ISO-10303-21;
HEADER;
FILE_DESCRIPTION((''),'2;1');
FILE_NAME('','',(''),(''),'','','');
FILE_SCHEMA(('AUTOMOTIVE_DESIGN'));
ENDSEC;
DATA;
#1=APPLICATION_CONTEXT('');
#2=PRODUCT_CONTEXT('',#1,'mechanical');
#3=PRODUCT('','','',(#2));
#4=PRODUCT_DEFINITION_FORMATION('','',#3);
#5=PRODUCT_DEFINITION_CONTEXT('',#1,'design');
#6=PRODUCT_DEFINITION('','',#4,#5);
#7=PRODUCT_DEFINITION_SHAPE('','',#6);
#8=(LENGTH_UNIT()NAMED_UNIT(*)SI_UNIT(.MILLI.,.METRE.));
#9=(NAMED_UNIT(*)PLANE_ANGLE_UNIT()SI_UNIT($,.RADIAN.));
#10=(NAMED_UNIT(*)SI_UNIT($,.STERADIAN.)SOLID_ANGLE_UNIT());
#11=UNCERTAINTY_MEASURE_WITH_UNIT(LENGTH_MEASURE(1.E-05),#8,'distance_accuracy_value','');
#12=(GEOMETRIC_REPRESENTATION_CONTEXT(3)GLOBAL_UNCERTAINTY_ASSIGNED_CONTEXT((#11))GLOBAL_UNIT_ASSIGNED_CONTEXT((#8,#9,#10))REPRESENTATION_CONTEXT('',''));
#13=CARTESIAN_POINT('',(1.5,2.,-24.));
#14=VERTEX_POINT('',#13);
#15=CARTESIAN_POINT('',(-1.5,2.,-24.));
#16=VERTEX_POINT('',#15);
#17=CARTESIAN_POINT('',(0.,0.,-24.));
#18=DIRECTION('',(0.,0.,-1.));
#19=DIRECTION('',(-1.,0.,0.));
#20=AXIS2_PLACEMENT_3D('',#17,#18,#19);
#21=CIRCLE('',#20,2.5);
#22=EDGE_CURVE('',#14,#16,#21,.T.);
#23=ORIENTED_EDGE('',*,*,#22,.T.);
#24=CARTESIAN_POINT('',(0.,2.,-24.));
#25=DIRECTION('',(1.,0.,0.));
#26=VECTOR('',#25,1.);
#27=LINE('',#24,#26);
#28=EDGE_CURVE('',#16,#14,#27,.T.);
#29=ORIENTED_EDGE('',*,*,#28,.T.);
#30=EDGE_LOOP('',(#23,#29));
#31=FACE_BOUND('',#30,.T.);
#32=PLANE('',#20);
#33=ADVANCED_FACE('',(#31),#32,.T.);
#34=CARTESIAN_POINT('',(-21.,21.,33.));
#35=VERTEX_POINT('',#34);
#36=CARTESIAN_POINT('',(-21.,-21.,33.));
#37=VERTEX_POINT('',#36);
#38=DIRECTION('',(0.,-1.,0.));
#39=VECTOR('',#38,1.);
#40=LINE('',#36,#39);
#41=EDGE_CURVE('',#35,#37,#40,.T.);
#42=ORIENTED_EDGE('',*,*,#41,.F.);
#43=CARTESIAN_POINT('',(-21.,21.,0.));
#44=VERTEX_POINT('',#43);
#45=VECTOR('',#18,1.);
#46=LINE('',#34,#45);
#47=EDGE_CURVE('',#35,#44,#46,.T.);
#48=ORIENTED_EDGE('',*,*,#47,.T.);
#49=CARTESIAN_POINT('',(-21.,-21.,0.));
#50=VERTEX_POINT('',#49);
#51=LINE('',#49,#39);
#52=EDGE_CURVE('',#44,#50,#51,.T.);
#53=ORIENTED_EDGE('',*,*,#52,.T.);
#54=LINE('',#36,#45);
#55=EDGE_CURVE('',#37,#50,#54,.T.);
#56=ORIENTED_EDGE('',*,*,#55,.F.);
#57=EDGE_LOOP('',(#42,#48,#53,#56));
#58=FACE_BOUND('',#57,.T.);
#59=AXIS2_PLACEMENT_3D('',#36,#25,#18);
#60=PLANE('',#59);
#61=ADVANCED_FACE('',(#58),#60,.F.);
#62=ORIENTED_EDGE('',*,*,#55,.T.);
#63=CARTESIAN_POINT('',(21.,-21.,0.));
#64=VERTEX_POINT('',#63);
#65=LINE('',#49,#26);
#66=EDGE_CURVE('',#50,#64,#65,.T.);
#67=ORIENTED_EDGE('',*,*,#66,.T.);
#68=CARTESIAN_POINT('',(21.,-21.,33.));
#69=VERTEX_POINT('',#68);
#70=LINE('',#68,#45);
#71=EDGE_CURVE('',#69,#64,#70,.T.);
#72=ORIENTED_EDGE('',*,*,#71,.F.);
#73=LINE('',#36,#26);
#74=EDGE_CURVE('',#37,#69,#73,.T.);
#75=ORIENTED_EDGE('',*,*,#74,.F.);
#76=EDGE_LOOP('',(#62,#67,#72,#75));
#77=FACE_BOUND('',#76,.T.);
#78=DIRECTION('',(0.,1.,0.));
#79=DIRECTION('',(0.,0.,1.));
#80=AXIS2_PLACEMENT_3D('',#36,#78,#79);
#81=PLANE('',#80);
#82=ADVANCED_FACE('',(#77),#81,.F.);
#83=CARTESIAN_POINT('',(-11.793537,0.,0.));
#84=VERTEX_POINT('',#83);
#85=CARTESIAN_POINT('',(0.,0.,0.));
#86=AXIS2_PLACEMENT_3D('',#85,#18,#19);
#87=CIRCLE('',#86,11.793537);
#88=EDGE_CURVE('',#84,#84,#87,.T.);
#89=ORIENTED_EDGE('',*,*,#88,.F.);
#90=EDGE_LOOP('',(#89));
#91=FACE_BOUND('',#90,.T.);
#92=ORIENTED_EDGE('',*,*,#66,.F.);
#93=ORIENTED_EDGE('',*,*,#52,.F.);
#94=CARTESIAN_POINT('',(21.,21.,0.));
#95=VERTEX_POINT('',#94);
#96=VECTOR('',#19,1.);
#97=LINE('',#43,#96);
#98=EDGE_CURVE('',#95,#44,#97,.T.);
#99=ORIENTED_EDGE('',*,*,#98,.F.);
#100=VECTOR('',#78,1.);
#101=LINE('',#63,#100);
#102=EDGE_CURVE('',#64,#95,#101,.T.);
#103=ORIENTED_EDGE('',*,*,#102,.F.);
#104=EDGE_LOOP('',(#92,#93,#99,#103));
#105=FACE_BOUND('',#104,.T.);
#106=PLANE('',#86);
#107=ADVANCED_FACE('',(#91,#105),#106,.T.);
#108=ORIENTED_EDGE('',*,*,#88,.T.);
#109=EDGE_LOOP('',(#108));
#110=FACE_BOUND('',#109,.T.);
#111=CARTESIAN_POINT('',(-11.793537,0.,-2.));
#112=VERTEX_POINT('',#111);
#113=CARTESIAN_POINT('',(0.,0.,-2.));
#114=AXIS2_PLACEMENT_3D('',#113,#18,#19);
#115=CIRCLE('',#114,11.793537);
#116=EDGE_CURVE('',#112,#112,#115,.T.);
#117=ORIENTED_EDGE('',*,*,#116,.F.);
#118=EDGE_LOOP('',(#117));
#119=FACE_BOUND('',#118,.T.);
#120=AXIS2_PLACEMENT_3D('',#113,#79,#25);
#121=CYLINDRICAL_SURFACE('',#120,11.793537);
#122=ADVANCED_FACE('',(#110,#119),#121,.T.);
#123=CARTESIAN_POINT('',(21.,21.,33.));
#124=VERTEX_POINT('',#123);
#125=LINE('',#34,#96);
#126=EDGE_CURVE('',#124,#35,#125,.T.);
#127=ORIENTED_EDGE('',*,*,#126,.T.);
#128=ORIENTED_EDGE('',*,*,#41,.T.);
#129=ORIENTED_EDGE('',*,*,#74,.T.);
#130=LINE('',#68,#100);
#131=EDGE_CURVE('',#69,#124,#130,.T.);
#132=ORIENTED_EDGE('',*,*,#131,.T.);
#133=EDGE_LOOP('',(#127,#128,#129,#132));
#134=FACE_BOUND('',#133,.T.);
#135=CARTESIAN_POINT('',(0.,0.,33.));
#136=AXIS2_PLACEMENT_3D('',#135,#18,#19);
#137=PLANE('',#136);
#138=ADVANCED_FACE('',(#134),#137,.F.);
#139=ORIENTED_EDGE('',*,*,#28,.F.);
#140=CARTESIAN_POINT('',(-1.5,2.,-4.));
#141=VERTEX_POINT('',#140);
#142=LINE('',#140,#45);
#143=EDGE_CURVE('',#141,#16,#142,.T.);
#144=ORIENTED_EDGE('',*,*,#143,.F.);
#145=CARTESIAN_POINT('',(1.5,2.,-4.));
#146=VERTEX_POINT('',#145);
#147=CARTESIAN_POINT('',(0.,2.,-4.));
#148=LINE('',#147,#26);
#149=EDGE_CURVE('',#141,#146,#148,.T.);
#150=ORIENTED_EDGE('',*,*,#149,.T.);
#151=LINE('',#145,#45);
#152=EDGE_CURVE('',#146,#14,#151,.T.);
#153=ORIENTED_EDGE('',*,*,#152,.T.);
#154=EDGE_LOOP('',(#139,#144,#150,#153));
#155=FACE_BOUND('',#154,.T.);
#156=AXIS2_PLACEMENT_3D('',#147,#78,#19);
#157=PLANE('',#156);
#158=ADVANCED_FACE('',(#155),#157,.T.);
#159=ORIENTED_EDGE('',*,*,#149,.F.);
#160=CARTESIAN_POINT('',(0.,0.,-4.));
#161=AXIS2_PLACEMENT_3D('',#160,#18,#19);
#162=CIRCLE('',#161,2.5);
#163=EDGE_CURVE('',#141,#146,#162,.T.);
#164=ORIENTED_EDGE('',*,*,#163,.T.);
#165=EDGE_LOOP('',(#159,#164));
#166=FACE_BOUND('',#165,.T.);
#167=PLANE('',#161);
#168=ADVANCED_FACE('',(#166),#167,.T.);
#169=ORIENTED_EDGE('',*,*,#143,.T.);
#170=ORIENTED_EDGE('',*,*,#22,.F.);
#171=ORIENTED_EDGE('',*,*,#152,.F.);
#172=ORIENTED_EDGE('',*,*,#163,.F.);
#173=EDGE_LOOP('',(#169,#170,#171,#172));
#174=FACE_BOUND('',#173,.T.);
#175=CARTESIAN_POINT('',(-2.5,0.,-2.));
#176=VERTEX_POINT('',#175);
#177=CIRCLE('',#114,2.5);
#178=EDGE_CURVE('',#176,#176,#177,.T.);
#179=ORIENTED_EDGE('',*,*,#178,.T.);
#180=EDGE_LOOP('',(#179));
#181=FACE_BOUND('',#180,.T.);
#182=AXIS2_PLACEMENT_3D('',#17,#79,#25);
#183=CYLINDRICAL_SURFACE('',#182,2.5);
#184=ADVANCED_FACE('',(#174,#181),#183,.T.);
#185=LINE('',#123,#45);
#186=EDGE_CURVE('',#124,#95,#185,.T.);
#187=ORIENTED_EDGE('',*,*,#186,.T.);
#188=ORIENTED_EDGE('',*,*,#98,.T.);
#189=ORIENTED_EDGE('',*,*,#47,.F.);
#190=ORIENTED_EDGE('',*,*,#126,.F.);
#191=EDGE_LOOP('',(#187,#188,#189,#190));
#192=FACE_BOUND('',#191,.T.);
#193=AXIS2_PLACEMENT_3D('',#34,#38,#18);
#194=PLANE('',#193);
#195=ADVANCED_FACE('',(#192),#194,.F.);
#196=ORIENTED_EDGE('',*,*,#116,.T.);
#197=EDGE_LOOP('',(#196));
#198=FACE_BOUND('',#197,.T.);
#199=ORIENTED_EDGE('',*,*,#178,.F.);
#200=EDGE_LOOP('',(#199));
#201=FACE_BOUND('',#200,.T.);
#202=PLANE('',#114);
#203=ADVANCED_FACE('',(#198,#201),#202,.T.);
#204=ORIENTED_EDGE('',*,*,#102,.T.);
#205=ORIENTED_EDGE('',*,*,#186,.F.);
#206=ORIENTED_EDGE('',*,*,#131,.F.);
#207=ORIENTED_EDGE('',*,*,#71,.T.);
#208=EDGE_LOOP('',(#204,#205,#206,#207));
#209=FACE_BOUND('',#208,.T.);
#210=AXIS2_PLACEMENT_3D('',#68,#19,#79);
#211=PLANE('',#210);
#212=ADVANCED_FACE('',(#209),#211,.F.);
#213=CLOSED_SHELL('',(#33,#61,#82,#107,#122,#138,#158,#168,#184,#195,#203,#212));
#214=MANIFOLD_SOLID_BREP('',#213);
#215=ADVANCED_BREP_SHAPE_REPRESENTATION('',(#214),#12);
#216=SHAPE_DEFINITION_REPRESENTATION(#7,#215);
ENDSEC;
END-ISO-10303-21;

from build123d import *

# Parameters (mm, degrees)
SKETCH1_W           = 42
SKETCH1_H           = 42
BOSS_EXTRUDE1_DEPTH = 33
SKETCH2_R           = 11.793537184
BOSS_EXTRUDE2_DEPTH = 2
SKETCH3_R           = 2.5
BOSS_EXTRUDE3_DEPTH = 22
CUT_EXTRUDE1_DEPTH  = 20


with BuildPart() as part:
    # Sketch1 → Boss-Extrude1 (new body)
    with BuildSketch(Plane.XY):
        Rectangle(SKETCH1_W, SKETCH1_H)
    extrude(amount=BOSS_EXTRUDE1_DEPTH)

    # Sketch2 → Boss-Extrude2 (add)
    with BuildSketch(Plane(origin=(0, 0, 0), x_dir=(-1, 0, 0), z_dir=(0, 0, -1))):
        Circle(SKETCH2_R)
    extrude(amount=BOSS_EXTRUDE2_DEPTH)

    # Sketch3 → Boss-Extrude3 (add)
    with BuildSketch(Plane(origin=(0, 0, -2), x_dir=(-1, 0, 0), z_dir=(0, 0, -1))):
        Circle(SKETCH3_R)
    extrude(amount=BOSS_EXTRUDE3_DEPTH)

    # Sketch4 → Cut-Extrude1 (cut)
    with BuildSketch(Plane(origin=(0, 0, -24), x_dir=(-1, 0, 0), z_dir=(0, 0, -1))):
        with BuildLine():
            Line((1.5, 2), (-1.5, 2))
            ThreePointArc((-1.5, 2), (0, 2.5), (1.5, 2))
        make_face()
    extrude(amount=-CUT_EXTRUDE1_DEPTH, mode=Mode.SUBTRACT)


solid = part.part
